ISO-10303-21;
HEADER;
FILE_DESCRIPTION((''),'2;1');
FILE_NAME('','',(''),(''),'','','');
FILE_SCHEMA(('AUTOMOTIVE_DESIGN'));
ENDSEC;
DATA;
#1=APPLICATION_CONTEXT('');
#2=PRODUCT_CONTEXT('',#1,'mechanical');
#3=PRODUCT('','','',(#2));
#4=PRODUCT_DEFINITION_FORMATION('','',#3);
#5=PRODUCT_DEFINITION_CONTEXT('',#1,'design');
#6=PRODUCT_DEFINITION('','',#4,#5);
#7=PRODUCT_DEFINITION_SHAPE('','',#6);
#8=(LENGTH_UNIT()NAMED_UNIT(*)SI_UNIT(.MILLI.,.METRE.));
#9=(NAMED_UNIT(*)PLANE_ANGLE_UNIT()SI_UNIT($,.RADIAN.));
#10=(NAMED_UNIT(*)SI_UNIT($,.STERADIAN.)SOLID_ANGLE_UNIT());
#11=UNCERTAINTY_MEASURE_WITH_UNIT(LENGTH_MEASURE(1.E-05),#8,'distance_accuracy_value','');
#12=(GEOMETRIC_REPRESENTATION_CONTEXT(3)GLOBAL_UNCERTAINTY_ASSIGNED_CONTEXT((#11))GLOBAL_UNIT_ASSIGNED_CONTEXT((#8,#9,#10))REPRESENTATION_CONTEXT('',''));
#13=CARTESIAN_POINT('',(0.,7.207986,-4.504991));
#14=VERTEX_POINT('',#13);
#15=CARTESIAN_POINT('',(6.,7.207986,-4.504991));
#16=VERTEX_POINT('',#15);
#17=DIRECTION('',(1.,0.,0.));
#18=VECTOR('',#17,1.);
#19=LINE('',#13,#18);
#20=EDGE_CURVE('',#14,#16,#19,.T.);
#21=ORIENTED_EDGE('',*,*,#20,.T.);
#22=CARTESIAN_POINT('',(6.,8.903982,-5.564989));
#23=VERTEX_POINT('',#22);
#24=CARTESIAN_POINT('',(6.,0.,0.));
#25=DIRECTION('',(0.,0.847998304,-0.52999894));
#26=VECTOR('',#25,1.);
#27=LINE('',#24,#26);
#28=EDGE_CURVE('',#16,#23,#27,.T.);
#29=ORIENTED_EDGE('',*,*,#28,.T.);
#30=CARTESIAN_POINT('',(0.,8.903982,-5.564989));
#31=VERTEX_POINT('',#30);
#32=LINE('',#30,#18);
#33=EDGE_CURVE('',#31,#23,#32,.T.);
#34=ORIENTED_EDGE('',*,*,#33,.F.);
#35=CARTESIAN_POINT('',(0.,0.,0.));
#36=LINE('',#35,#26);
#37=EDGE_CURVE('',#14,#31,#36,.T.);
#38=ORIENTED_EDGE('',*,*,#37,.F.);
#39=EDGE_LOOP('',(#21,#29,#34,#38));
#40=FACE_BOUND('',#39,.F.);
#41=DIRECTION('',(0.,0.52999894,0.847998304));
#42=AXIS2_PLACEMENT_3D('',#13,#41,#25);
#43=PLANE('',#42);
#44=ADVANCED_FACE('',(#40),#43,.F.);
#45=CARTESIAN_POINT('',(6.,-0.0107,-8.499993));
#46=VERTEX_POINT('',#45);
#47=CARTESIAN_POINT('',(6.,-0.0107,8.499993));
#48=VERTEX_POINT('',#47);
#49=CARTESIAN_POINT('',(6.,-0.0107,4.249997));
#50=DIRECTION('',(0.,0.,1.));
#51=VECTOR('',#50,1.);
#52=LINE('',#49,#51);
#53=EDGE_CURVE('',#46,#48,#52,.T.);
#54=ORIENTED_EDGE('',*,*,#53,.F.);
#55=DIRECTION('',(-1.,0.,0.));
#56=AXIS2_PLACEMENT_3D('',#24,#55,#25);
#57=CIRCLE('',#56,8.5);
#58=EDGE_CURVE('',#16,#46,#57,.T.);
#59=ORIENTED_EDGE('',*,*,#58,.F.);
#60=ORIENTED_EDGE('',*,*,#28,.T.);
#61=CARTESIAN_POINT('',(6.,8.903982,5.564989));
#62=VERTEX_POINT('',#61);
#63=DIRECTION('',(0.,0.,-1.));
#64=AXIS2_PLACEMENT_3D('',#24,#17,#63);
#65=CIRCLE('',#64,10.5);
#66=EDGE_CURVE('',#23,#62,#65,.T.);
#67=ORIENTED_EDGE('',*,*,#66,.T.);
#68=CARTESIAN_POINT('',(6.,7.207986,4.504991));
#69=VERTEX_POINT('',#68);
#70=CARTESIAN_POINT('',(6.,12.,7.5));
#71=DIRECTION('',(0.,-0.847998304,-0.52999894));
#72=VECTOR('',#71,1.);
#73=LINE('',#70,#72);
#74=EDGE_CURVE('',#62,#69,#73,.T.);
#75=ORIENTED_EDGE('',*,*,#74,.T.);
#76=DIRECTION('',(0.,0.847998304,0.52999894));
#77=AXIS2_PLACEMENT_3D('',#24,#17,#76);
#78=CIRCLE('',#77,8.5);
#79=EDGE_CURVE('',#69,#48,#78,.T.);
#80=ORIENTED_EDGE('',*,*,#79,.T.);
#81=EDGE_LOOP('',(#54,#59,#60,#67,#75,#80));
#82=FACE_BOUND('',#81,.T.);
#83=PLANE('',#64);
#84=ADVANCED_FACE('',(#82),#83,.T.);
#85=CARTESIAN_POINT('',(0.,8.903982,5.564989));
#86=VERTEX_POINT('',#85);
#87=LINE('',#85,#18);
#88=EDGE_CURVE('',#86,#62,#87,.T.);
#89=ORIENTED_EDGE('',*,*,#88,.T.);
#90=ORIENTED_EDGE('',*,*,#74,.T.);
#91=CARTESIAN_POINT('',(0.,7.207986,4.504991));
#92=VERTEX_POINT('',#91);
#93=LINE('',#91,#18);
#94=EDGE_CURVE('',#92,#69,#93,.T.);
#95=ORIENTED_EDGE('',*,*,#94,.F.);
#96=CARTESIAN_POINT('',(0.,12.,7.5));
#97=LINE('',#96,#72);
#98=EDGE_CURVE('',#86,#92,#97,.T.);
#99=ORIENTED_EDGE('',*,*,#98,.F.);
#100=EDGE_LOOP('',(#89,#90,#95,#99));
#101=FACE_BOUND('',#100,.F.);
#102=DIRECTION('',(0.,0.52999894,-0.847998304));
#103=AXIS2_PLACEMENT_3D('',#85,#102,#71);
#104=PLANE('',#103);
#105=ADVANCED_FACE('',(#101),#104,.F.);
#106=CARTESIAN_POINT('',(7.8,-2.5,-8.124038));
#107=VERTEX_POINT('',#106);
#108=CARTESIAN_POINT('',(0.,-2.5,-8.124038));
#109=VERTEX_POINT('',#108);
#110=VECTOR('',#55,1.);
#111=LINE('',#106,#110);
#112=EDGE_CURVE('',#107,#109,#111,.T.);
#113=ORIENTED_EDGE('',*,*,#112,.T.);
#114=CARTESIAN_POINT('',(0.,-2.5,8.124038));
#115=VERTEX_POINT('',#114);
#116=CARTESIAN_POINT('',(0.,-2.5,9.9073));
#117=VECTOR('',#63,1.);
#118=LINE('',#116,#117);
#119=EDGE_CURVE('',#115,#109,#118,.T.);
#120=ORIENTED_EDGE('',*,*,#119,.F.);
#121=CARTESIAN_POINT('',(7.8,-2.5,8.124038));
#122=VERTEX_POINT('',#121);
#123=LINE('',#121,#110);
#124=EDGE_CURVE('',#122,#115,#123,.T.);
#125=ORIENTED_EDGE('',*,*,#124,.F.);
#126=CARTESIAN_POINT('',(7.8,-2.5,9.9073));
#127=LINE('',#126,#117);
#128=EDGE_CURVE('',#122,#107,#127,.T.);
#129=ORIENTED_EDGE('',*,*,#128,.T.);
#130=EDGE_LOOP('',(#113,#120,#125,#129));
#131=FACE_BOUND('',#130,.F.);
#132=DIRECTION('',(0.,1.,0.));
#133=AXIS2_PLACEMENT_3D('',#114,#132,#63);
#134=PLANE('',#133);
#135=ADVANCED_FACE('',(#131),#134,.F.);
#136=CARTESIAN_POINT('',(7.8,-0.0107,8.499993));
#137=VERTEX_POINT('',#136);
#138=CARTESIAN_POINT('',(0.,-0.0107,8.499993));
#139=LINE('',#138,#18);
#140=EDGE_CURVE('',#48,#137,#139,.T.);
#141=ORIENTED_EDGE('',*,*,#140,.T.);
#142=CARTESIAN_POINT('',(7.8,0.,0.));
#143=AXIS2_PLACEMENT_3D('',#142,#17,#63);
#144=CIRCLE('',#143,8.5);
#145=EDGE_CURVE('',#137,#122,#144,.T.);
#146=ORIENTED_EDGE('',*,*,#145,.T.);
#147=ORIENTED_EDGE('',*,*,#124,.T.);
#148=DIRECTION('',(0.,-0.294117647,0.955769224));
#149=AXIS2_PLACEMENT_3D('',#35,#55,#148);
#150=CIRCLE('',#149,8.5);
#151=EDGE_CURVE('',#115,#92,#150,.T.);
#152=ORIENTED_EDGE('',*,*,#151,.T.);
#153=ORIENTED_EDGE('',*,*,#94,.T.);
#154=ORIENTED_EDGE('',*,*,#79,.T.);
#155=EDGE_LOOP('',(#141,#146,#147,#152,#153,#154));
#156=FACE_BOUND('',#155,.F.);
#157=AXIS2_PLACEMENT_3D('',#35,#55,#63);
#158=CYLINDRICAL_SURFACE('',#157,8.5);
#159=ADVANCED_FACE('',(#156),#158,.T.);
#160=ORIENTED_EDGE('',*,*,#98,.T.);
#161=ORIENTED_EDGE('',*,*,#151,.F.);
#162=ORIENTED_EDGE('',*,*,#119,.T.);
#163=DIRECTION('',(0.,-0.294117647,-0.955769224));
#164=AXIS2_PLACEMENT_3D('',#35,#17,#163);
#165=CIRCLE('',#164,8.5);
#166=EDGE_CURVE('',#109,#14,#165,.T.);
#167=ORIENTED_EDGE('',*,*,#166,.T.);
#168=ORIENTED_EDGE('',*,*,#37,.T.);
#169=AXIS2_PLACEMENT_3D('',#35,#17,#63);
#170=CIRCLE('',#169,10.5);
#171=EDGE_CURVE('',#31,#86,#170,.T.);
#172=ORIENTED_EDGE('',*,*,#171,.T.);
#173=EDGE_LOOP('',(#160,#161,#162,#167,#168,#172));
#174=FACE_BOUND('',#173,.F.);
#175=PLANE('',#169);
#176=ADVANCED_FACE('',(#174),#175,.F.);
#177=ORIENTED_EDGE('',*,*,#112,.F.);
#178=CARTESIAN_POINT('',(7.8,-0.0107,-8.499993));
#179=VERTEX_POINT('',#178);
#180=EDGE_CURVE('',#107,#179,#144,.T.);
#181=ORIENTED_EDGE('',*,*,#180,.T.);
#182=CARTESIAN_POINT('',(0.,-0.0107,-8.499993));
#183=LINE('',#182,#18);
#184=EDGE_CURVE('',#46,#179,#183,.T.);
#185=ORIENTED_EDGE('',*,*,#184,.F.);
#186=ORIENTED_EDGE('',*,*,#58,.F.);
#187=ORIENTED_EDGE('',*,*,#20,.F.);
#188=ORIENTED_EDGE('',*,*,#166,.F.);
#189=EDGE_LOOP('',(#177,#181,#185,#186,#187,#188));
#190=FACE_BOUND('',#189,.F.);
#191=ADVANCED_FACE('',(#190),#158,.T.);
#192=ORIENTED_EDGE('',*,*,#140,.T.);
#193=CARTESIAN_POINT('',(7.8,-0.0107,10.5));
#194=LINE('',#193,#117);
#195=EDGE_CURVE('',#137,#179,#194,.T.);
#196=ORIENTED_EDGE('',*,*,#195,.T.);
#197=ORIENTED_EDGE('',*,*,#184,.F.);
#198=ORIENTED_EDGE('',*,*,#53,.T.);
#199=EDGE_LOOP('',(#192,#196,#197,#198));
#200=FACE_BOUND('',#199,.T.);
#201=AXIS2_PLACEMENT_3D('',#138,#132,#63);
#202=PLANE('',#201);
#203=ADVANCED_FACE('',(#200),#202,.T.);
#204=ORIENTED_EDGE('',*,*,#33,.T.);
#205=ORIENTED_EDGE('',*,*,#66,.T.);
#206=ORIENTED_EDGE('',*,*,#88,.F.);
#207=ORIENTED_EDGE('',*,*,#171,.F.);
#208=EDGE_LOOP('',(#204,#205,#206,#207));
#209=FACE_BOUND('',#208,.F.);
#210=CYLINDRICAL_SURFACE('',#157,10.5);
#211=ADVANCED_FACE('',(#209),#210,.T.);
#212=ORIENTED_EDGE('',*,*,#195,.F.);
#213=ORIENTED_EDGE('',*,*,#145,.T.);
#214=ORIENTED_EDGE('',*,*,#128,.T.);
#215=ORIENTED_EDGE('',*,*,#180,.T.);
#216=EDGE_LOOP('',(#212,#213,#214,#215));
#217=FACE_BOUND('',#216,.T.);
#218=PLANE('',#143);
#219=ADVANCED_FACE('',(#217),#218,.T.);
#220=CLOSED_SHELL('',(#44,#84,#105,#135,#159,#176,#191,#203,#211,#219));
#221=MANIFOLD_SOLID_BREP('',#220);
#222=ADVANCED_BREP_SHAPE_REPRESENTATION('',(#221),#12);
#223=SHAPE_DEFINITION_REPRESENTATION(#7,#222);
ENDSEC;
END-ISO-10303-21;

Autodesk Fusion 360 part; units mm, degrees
sketch "Sketch1" plane through (0, 0, 0) normal (1, 0, 0) x (0, 0, -1)
  circle A0 centre (0, 0) radius 8.5
  line L0 (-9.9073, -2.5) -> (12, -2.5)
  circle A1 centre (0, 0) radius 10.5
  line L1 (-7.5, 12) -> (7.5, 12)
  line L2 (-7.5, 12) -> (0, 0)
  line L3 (0, 0) -> (7.5, 12)
  line L4 (-10.5, -0.0107) -> (10.5, -0.0107)
  point P0 (0, 12)
  dimension "d1" = 17
  dimension "d2" = 2.5
  dimension "d5" = 21
  dimension "d6" = 12
  dimension "d7" = 15
extrude "Extrude1" add sketch "Sketch1" along normal blind 6 contours A0 L2 L3 L4 | A0 L2 L3 | A0 A1 L2 L3 | A0 L0 L4
extrude "Extrude2" add sketch "Sketch1" along normal blind 7.8 contours A0 L0 L4
